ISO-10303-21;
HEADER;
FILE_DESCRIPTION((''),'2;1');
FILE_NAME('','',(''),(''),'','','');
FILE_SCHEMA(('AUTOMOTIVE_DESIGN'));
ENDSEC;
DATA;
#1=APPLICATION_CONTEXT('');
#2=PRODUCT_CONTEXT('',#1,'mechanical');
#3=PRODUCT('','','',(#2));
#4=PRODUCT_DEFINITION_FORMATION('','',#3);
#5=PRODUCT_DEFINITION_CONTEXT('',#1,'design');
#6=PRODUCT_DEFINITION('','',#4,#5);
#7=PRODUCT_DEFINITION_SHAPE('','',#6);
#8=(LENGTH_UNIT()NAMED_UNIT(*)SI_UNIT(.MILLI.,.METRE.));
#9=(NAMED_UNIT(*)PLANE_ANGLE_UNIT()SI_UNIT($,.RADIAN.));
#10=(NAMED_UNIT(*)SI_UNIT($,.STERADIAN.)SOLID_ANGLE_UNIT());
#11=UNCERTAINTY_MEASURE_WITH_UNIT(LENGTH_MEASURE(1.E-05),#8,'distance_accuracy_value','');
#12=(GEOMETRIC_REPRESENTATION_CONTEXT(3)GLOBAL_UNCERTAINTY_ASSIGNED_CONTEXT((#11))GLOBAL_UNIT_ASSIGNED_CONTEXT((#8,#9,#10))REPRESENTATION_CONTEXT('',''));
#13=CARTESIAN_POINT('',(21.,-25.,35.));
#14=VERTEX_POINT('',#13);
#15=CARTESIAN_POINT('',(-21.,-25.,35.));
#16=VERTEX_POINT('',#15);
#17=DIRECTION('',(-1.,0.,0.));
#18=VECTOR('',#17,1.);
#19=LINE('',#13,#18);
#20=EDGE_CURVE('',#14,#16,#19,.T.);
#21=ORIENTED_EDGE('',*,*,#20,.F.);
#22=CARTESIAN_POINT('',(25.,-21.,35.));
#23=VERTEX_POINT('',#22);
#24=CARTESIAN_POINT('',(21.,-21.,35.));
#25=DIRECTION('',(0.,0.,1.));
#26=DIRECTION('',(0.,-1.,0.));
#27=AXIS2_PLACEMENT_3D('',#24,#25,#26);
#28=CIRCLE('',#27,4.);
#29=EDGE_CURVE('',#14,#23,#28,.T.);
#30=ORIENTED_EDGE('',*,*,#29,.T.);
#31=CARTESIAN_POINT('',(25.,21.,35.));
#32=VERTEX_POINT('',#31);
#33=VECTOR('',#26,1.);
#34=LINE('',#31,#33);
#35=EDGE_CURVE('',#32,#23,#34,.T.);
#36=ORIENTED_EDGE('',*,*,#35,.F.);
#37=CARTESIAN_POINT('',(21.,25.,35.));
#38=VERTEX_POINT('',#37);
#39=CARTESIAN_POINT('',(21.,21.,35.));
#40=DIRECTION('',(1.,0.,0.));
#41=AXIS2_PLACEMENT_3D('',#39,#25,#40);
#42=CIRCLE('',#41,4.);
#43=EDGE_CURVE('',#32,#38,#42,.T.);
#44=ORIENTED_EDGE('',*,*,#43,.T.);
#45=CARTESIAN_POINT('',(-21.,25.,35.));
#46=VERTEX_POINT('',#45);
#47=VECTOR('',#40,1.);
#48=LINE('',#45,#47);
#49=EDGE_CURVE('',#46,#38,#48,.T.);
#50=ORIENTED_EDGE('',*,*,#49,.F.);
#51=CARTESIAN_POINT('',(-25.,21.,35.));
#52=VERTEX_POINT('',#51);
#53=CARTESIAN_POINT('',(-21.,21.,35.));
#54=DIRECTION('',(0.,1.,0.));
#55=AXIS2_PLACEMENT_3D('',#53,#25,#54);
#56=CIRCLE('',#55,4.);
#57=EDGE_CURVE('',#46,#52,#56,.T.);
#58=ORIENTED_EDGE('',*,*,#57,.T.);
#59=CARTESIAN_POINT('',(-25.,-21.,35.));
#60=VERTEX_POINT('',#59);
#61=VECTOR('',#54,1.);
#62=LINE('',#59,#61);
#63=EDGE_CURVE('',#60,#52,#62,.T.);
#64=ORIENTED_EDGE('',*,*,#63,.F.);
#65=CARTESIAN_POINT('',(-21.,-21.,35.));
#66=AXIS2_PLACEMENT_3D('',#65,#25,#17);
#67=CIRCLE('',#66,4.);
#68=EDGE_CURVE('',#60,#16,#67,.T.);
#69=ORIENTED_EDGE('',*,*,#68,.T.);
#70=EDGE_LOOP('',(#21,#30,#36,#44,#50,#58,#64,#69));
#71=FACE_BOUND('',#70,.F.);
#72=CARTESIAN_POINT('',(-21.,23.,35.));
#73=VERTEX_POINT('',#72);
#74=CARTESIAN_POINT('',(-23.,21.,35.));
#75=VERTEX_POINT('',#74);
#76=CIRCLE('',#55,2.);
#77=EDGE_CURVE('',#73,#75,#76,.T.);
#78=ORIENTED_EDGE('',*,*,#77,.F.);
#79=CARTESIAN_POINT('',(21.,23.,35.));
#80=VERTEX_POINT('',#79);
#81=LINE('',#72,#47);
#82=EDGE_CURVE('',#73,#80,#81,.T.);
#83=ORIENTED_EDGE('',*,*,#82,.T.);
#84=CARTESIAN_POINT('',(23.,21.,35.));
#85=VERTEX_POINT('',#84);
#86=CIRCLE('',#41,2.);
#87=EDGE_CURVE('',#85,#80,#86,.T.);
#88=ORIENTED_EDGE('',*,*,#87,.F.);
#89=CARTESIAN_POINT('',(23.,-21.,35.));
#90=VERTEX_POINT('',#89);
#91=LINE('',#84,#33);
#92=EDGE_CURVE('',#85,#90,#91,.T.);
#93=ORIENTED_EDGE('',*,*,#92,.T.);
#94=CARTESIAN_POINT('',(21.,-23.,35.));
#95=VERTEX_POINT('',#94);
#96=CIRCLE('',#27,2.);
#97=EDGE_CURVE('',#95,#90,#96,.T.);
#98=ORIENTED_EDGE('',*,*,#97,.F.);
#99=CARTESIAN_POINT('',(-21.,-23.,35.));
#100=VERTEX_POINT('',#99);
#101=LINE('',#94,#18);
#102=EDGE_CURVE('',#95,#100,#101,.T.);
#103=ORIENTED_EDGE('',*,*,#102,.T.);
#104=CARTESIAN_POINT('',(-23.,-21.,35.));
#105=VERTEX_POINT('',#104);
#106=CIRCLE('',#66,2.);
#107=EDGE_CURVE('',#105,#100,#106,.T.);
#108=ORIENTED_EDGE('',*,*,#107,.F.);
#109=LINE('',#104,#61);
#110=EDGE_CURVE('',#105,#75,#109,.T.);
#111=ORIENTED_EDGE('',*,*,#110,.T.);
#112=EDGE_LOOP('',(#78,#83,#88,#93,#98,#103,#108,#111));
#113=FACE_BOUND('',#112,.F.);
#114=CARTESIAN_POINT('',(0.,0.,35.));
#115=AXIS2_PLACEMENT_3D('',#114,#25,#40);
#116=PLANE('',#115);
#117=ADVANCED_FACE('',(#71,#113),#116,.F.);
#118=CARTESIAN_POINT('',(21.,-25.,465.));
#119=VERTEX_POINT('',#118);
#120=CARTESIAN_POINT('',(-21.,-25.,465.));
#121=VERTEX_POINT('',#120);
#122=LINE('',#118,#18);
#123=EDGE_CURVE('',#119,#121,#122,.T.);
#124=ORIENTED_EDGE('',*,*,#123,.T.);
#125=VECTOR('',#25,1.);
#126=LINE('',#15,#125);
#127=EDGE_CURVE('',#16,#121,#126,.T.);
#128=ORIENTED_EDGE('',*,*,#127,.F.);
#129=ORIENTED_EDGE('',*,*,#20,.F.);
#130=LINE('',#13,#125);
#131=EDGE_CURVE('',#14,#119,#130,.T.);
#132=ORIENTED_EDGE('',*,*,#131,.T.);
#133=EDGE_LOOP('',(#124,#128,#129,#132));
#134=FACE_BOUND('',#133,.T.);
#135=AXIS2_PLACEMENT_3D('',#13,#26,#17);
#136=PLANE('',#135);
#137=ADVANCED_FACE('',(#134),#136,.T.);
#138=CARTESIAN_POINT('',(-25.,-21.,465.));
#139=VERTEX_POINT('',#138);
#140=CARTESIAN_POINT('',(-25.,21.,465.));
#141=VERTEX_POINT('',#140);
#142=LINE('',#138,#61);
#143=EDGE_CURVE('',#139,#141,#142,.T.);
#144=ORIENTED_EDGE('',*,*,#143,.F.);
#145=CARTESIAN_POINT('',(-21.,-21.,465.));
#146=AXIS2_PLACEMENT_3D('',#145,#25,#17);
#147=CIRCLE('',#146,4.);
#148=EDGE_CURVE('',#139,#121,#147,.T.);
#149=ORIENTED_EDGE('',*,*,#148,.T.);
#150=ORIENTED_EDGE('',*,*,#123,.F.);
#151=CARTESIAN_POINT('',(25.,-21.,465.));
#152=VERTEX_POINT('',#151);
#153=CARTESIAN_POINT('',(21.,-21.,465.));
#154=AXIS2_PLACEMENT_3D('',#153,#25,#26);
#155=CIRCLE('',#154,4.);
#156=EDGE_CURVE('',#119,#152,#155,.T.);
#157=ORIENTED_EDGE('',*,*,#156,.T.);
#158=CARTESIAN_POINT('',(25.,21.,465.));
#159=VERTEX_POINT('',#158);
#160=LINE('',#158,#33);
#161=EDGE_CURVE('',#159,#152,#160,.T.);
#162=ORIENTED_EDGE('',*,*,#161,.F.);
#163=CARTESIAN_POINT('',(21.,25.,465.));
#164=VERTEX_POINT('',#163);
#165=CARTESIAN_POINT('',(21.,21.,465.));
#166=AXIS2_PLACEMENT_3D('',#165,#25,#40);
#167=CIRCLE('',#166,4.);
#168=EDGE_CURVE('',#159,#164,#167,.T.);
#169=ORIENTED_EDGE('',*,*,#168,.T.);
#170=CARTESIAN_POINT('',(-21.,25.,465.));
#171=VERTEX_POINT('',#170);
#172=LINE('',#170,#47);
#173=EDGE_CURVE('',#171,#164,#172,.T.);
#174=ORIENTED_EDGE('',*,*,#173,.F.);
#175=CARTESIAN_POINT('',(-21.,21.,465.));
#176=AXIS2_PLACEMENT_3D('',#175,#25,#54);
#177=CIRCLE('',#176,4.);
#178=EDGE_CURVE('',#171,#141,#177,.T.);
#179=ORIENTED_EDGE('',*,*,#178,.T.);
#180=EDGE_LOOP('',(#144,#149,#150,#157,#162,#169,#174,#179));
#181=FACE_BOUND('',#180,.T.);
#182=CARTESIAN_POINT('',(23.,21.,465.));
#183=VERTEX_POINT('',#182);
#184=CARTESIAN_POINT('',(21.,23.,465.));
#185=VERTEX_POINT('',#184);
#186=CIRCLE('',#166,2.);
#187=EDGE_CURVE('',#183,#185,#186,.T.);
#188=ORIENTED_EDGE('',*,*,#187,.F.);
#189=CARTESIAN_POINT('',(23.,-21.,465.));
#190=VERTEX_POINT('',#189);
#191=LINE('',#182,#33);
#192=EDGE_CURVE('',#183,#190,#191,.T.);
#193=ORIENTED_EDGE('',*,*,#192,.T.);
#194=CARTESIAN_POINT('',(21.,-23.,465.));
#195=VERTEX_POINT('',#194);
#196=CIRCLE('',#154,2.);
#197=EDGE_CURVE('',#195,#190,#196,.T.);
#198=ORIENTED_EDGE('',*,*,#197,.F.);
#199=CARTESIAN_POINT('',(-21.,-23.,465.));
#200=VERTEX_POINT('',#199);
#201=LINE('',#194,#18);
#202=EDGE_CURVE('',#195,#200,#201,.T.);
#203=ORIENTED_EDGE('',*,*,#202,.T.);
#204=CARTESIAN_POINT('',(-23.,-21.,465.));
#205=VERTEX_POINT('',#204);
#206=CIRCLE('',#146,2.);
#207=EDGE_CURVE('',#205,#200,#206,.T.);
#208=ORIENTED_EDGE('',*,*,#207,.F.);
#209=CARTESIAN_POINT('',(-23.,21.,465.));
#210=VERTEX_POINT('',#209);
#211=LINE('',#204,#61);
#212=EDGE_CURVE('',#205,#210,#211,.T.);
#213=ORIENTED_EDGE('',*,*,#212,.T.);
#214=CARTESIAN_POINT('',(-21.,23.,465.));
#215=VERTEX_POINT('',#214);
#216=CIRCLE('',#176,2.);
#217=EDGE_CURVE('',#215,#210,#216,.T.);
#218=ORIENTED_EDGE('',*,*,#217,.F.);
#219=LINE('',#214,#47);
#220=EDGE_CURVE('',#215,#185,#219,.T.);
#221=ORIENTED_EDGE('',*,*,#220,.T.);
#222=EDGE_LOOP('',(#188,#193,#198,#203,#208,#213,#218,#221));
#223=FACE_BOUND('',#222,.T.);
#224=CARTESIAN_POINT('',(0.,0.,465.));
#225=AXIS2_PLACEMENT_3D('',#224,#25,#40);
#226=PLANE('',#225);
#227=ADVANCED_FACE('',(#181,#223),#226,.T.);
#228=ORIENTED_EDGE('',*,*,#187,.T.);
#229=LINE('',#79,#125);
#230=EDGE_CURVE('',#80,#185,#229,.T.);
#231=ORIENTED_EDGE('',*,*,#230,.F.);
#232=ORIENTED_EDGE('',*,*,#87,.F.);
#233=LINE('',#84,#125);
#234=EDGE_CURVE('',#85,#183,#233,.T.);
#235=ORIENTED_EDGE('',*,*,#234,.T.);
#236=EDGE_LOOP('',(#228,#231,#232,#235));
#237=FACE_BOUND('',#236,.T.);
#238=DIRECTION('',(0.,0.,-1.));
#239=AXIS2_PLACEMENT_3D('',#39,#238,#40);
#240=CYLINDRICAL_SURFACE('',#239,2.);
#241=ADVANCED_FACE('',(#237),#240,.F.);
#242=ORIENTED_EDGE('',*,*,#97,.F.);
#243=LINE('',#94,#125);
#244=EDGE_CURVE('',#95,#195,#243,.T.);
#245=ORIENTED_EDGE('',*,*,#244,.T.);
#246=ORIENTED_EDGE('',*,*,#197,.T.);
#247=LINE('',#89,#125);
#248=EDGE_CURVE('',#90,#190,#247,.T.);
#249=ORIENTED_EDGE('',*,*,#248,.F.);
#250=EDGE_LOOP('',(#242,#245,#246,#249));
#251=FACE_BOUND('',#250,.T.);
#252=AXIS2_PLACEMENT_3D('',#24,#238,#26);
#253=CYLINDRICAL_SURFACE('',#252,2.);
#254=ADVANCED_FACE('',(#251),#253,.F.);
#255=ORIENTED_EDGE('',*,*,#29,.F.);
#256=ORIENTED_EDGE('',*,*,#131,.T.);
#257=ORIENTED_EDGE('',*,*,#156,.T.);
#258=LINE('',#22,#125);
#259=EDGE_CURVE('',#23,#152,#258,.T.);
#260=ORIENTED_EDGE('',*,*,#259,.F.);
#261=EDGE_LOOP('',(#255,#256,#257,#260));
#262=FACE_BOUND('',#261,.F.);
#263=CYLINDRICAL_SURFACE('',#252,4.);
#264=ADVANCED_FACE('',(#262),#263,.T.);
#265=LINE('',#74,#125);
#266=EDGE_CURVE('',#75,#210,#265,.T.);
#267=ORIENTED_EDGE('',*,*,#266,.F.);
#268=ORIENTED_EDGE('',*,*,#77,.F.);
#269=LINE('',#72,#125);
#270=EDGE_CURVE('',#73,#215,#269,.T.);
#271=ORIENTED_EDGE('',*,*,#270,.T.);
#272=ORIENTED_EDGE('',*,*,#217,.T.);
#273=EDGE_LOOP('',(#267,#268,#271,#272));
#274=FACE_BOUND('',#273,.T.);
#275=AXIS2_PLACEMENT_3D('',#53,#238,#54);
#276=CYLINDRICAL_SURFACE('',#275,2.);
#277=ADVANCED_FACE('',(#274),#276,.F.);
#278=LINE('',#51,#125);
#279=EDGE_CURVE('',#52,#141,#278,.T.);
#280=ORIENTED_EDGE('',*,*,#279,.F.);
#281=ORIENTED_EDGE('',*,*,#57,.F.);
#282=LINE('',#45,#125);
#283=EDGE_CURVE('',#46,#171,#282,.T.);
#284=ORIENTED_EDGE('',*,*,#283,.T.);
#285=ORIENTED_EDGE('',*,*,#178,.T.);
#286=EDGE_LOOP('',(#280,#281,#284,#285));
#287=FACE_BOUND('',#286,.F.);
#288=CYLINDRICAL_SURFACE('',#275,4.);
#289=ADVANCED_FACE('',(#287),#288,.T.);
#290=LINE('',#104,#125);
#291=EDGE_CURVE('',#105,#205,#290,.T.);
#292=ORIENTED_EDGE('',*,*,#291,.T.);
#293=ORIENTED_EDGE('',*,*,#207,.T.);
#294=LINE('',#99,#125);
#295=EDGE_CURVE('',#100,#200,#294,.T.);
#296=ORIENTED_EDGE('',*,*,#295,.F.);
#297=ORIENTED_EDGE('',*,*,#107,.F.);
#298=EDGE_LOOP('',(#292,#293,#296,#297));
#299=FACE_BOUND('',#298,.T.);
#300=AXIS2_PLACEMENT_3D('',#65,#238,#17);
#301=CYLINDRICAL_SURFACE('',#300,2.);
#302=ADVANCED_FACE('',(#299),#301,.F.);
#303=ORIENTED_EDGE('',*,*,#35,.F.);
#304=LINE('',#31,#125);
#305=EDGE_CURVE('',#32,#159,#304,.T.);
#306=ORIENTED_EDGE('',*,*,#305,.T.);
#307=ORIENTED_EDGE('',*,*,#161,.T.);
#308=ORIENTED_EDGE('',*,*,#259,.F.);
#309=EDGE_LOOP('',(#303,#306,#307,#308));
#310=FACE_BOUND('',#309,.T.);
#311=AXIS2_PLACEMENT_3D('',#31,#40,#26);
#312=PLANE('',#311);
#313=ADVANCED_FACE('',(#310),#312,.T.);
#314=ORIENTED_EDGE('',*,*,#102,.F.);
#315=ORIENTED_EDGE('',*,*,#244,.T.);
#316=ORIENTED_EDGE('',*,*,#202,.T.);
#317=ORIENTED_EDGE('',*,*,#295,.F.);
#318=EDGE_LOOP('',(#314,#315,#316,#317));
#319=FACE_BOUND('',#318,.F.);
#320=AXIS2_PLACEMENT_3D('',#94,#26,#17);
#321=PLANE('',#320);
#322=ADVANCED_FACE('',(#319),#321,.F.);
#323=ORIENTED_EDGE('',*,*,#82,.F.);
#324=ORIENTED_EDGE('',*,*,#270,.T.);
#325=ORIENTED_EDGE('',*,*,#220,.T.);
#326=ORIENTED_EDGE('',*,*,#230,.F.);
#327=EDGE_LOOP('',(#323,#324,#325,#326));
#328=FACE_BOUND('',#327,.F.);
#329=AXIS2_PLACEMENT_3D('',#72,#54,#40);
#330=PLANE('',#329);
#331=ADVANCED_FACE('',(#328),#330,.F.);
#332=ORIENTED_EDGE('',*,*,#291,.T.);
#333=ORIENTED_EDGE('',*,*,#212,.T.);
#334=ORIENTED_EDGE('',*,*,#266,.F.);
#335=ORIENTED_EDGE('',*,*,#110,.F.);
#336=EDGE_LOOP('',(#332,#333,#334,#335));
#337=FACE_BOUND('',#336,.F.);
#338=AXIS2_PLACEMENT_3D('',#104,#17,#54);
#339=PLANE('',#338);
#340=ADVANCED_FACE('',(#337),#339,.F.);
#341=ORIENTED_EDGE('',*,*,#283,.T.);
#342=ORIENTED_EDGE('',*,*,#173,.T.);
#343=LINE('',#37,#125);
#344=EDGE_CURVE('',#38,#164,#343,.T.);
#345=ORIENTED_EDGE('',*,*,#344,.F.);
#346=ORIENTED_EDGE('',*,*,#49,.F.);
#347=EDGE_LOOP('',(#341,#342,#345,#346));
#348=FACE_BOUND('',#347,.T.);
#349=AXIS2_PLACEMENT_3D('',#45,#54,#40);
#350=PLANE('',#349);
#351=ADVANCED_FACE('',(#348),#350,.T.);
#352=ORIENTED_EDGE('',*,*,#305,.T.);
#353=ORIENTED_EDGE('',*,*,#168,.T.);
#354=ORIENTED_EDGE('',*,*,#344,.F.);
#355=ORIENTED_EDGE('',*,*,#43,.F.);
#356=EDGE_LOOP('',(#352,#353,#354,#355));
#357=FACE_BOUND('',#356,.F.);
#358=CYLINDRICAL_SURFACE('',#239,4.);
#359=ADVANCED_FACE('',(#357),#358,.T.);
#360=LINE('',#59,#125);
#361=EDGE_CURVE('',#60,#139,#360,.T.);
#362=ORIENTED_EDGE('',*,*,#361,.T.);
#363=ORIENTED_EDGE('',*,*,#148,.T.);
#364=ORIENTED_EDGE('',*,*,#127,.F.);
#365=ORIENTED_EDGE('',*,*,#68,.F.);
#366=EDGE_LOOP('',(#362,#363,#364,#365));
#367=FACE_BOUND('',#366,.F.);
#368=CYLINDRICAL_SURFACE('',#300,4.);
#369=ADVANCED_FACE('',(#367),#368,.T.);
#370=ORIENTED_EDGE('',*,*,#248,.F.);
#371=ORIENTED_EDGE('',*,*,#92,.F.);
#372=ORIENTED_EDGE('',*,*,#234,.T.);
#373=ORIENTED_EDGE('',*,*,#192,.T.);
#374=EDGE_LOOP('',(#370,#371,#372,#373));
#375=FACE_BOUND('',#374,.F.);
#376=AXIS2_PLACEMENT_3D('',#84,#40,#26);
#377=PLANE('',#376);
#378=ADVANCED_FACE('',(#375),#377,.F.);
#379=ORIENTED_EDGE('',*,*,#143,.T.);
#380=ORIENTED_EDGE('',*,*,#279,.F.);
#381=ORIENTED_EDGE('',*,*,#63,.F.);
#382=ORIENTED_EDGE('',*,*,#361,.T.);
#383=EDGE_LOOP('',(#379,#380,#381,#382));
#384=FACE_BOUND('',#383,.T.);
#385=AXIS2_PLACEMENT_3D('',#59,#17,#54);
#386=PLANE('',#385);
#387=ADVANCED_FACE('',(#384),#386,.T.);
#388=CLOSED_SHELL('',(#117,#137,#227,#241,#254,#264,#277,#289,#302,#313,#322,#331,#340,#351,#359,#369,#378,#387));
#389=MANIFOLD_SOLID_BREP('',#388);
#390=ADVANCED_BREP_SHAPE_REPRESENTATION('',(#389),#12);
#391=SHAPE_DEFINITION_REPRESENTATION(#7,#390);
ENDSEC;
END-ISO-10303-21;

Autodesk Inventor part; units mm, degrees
ref_plane "Plano inicial" through (0, 0, 35) normal (0, 0, 1) x (1, 0, 0)
ref_plane "Plano final" through (0, 0, 465) normal (0, 0, 1) x (1, 0, 0)
sketch "Boceto" plane through (0, 0, 0) normal (0, 0, 1) x (1, 0, 0)
  line L0 (-25, -21) -> (-25, 21)
  line L1 (-21, 25) -> (21, 25)
  line L2 (25, 21) -> (25, -21)
  line L3 (21, -25) -> (-21, -25)
  arc A0 (-25, -21) -> (-21, -25) centre (-21, -21) ccw
  arc A1 (25, 21) -> (21, 25) centre (21, 21) ccw
  arc A2 (-21, 25) -> (-25, 21) centre (-21, 21) ccw
  arc A3 (21, -25) -> (25, -21) centre (21, -21) ccw
  arc A4 (-21, 23) -> (-23, 21) centre (-21, 21) ccw
  line L4 (-21, 23) -> (21, 23)
  arc A5 (23, 21) -> (21, 23) centre (21, 21) ccw
  line L5 (23, 21) -> (23, -21)
  arc A6 (21, -23) -> (23, -21) centre (21, -21) ccw
  line L6 (21, -23) -> (-21, -23)
  arc A7 (-23, -21) -> (-21, -23) centre (-21, -21) ccw
  line L7 (-23, -21) -> (-23, 21)
  line L8 (0, 36.1598) -> (0, -36.1598) construction
  line L9 (-36.1598, 0) -> (36.1598, 0) construction
  dimension "d7" = 4
  dimension "d9" = 50
  dimension "d11" = 50
  dimension "d12" = 2
  dimension "d15" = 25
  dimension "d16" = 25
extrude "Cuerpo" add sketch "Boceto" along normal up to surface (430 mm away) from surface at 35
sketch "Sketch3" plane through (0, 0, 0) normal (0, 0, 1) x (1, 0, 0)
  line L0 (0, 0) -> (10, 0)
ref_plane "Work Plane3" through (0, 0, 0) normal (0, -1, 0) x (1, 0, 0)
sketch "Sketch4" plane through (0, 0, 0) normal (0, -1, 0) x (1, 0, 0)
  line L0 (-2, 35) -> (12, 35)
  line L1 (-2, 465) -> (12, 465)
  dimension "d18" = 430
ref_plane "Plano de trabajo4" through (-1470, 29, 465) normal (0, 0, 1) x (1, 0, 0)
split "Dividir1" plane through (-1470, 29, 465) removes the side toward (0, 0, 1)
ref_plane "Plano de trabajo5" through (-1470, -29, 35) normal (0, 0, -1) x (-1, 0, 0)
split "Dividir2" plane through (-1470, -29, 35) removes the side toward (0, 0, -1)
equation "\"d7\" = G_IR"
equation "\"d9\" = G_W"
equation "\"d11\" = G_H"
equation "\"d12\" = G_T"
equation "\"d15\" = 0.5 * d9"
equation "\"d16\" = 0.5 * d11"
equation "\"d3\" = G_L"
equation "\"G_W\" = 50"
equation "\"G_H\" = 50"
equation "\"G_T\" = 2"
equation "\"G_IR\" = 4"
equation "\"G_L\" = d18"
equation "\"G_OFFSET_START\" = -35"
equation "\"G_OFFSET_END\" = -35"
equation "\"d13\" = -G_OFFSET_START"
equation "\"d14\" = G_OFFSET_END + B_L"
equation "\"B_L\" = 500"
properties part number "ISO 10799-2 - 50x50x2 - 430" material "Galvanizado catalogo 1"
